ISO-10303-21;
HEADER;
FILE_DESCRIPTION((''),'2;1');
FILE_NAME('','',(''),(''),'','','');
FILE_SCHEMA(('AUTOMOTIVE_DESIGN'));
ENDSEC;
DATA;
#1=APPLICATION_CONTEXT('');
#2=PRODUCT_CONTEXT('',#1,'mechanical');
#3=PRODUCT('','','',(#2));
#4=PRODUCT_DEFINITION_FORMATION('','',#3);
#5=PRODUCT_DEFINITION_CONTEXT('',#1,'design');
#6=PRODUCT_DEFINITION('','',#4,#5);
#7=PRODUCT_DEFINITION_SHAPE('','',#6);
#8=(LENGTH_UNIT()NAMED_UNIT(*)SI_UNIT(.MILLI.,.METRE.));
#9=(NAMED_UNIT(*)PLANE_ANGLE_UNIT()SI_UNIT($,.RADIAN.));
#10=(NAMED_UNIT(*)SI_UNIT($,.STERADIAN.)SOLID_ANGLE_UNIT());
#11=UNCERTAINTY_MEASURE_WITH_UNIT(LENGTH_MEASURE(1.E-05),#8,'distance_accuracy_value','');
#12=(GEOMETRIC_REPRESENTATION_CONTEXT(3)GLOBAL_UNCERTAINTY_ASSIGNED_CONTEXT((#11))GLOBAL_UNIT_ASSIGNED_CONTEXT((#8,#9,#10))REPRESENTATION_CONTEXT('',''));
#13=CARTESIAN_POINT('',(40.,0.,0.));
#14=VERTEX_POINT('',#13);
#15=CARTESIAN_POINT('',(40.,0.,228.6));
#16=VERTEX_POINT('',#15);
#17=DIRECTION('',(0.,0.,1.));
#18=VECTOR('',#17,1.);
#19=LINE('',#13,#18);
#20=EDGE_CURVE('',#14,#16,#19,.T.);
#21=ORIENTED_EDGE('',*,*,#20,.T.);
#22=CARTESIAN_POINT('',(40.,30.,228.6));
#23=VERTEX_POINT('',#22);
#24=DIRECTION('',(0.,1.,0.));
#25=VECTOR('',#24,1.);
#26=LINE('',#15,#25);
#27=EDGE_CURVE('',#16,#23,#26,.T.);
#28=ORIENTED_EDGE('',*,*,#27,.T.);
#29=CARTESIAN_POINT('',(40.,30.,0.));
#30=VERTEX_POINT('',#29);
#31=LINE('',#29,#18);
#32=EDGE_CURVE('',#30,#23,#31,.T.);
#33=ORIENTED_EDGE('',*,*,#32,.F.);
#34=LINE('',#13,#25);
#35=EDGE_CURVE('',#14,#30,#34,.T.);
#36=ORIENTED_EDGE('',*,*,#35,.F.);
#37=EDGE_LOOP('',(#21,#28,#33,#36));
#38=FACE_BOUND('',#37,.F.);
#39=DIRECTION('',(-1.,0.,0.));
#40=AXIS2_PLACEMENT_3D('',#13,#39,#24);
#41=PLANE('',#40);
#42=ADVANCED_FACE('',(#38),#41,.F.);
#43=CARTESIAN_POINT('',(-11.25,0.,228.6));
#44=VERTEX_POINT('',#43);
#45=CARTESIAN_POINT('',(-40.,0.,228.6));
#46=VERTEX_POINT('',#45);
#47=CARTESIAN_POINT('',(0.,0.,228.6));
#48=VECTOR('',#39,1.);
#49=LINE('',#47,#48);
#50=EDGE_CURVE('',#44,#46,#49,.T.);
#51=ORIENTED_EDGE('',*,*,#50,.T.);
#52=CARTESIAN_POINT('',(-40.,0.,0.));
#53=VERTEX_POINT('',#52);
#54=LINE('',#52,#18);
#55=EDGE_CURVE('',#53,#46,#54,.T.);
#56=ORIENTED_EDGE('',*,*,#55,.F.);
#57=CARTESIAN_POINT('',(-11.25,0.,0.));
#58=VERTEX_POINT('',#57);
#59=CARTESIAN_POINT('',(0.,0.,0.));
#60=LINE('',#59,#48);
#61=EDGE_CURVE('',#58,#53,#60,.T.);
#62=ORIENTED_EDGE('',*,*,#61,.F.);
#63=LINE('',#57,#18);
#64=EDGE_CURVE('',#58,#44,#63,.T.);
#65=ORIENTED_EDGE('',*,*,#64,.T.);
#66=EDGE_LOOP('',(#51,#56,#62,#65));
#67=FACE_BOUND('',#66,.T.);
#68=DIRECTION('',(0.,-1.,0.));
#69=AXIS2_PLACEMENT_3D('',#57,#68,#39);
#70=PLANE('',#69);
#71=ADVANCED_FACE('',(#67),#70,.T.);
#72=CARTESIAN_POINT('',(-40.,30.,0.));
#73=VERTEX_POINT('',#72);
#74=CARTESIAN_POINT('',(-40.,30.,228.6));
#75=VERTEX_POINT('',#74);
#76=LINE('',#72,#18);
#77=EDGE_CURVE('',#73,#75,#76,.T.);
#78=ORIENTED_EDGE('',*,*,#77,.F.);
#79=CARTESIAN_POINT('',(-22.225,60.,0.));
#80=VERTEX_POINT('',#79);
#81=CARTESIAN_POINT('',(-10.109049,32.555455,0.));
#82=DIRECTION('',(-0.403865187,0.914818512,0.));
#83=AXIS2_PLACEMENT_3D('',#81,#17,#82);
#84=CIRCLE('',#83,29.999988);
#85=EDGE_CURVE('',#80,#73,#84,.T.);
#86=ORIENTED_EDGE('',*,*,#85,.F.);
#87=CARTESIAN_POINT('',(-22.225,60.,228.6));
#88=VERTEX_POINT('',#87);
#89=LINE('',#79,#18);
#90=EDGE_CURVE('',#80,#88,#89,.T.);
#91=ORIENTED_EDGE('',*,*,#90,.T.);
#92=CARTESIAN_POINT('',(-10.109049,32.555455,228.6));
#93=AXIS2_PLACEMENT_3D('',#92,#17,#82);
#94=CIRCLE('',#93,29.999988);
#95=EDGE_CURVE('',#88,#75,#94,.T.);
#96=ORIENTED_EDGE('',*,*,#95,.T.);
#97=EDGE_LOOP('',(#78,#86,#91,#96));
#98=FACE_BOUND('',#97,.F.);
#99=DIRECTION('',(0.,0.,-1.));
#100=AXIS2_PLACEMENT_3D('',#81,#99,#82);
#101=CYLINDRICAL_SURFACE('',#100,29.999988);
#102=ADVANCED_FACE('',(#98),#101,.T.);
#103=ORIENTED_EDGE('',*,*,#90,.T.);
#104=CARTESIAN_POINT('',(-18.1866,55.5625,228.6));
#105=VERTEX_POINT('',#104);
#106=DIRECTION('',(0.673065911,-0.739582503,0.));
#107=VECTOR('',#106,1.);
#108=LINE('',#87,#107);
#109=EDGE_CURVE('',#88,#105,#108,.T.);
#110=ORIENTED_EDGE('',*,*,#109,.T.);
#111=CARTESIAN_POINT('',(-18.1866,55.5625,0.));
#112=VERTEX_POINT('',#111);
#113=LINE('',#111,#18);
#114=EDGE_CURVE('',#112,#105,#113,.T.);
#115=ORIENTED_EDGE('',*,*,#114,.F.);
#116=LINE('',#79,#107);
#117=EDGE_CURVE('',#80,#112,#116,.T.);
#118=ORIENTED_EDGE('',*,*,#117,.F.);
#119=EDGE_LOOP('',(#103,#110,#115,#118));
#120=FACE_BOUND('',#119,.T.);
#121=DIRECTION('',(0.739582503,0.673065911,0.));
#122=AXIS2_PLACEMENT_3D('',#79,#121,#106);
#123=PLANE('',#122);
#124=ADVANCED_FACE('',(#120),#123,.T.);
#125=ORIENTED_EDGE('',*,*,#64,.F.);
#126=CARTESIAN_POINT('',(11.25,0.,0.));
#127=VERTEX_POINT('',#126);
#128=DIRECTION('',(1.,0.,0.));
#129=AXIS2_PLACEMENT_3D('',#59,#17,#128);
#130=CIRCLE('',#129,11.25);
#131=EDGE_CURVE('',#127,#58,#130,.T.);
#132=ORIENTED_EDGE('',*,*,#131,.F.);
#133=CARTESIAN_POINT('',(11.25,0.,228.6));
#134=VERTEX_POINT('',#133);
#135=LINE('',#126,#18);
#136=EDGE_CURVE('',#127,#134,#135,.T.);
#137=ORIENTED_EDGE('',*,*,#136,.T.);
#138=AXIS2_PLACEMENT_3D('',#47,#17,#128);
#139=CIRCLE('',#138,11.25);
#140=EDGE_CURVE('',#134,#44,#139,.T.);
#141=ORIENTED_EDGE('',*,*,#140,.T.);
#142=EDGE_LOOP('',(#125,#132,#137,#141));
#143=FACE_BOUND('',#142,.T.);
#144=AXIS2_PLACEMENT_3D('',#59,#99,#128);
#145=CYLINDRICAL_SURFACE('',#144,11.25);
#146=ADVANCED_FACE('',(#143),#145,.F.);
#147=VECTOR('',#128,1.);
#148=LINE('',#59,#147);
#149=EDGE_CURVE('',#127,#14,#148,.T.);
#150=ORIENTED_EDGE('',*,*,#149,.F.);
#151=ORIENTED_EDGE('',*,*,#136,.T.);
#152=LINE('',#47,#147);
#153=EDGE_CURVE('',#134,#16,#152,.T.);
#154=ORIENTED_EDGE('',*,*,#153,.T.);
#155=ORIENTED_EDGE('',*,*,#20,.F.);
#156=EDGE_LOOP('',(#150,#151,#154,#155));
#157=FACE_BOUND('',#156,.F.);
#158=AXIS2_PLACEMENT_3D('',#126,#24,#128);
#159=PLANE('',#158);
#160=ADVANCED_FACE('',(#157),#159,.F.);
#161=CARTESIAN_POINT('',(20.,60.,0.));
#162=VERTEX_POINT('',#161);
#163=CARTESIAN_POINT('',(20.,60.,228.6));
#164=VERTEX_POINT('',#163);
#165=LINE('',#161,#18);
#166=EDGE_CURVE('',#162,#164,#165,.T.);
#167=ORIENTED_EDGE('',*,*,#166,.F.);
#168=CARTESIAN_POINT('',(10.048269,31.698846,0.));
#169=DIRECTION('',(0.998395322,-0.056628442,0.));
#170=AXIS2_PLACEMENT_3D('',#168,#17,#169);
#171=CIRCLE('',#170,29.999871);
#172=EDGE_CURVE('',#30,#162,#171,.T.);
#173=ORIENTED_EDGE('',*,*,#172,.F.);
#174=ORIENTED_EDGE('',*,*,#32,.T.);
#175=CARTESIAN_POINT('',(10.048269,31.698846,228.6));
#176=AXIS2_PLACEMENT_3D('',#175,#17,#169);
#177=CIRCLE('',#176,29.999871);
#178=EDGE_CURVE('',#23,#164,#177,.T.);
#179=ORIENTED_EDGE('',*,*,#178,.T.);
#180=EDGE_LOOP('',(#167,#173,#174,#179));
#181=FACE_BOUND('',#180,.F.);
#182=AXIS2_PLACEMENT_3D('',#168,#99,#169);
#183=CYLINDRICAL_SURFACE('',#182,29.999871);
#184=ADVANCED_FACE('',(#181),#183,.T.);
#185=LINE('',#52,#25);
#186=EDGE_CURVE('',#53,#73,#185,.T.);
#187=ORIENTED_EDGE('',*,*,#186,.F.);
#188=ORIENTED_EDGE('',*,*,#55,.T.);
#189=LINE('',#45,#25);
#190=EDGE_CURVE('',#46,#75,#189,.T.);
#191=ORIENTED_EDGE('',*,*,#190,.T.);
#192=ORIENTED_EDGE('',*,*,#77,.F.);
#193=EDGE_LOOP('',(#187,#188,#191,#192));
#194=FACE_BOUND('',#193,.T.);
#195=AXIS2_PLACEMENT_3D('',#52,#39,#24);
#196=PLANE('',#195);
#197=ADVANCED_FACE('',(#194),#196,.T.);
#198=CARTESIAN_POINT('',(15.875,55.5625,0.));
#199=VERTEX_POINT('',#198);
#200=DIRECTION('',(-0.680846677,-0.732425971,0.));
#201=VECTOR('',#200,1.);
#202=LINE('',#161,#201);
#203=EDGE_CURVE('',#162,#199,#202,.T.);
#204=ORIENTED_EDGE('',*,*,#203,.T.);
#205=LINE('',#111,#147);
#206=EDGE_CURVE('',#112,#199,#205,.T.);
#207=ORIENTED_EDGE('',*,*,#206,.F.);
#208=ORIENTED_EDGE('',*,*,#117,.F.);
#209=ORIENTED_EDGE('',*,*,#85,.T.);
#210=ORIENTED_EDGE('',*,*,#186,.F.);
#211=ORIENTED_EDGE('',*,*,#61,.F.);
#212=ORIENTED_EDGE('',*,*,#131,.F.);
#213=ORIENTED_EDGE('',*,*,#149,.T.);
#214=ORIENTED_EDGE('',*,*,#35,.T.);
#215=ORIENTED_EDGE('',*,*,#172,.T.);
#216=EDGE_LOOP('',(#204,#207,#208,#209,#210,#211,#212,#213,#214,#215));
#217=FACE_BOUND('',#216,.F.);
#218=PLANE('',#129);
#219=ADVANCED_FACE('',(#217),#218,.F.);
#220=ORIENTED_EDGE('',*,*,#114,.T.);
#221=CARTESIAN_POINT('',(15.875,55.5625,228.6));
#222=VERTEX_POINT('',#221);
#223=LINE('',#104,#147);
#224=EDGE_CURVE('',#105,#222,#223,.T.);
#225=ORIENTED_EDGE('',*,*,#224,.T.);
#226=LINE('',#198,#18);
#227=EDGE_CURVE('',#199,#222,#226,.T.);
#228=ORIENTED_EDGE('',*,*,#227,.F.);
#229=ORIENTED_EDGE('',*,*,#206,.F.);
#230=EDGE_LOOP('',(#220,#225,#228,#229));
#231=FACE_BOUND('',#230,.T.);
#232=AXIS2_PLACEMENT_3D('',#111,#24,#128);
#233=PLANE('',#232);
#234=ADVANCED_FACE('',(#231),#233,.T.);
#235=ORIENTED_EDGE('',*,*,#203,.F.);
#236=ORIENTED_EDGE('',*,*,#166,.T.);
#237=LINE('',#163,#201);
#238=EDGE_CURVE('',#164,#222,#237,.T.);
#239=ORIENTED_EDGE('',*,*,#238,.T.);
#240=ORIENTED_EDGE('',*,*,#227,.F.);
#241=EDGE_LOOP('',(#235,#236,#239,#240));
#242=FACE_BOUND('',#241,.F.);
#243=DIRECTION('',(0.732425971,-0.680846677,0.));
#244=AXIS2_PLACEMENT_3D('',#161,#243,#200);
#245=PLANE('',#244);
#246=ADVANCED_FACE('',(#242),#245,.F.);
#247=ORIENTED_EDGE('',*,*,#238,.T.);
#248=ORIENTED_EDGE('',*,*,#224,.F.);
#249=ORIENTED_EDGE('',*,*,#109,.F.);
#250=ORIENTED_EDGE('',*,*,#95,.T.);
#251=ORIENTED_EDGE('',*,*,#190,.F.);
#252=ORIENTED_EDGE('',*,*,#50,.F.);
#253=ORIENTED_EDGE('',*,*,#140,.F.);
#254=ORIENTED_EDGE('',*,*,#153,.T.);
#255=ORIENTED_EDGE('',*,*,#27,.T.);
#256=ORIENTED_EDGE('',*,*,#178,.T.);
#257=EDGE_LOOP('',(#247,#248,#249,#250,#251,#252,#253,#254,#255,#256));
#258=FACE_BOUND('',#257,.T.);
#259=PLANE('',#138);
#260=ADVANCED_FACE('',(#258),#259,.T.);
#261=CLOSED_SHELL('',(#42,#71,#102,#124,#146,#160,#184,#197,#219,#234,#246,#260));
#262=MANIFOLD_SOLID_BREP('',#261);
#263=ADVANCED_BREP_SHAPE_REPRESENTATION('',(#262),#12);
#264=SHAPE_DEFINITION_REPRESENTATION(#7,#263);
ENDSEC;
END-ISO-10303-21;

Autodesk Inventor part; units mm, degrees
ref_plane "YZ Plane" through (0, 0, 0) normal (1, 0, 0) x (0, 1, 0)
ref_plane "XZ Plane" through (0, 0, 0) normal (0, 1, 0) x (-1, 0, 0)
ref_plane "XY Plane" through (0, 0, 0) normal (0, 0, 1) x (1, 0, 0)
sketch "Sketch1" plane through (0, 0, 0) normal (0, 0, 1) x (1, 0, 0)
  line L0 (0, 0) -> (40, 0)
  line L1 (40, 0) -> (40, 30)
  line L2 (0, 0) -> (-40, 0)
  line L3 (-40, 0) -> (-40, 30)
  arc A0 (-22.225, 60) -> (-40, 30) centre (-10.109, 32.5554) ccw
  arc A1 (40, 30) -> (20, 60) centre (10.0481, 31.6988) ccw
  line L4 (-22.225, 60) -> (-18.1866, 55.5625)
  line L5 (20, 60) -> (15.875, 55.5625)
  line L6 (-18.1866, 55.5625) -> (15.875, 55.5625)
  circle A2 centre (0, 0) radius 11.25
  point P0 (0, 20)
  point P1 (-11.25, 0)
  point P2 (11.25, 0)
  dimension "d0" = 40
  dimension "d1" = 30
  dimension "d2" = 40
  dimension "d3" = 30
  dimension "d4" = 30
  dimension "d5" = 60
  dimension "d7" = 6
  dimension "d9" = 20
  dimension "d10" = 22.5
extrude "Extrusion1" add sketch "Sketch1" along normal blind 228.6 contours A2 L2 L3 A0 L4 L6 L5 A1 L1 L0
properties part number "arm rest final 1"
